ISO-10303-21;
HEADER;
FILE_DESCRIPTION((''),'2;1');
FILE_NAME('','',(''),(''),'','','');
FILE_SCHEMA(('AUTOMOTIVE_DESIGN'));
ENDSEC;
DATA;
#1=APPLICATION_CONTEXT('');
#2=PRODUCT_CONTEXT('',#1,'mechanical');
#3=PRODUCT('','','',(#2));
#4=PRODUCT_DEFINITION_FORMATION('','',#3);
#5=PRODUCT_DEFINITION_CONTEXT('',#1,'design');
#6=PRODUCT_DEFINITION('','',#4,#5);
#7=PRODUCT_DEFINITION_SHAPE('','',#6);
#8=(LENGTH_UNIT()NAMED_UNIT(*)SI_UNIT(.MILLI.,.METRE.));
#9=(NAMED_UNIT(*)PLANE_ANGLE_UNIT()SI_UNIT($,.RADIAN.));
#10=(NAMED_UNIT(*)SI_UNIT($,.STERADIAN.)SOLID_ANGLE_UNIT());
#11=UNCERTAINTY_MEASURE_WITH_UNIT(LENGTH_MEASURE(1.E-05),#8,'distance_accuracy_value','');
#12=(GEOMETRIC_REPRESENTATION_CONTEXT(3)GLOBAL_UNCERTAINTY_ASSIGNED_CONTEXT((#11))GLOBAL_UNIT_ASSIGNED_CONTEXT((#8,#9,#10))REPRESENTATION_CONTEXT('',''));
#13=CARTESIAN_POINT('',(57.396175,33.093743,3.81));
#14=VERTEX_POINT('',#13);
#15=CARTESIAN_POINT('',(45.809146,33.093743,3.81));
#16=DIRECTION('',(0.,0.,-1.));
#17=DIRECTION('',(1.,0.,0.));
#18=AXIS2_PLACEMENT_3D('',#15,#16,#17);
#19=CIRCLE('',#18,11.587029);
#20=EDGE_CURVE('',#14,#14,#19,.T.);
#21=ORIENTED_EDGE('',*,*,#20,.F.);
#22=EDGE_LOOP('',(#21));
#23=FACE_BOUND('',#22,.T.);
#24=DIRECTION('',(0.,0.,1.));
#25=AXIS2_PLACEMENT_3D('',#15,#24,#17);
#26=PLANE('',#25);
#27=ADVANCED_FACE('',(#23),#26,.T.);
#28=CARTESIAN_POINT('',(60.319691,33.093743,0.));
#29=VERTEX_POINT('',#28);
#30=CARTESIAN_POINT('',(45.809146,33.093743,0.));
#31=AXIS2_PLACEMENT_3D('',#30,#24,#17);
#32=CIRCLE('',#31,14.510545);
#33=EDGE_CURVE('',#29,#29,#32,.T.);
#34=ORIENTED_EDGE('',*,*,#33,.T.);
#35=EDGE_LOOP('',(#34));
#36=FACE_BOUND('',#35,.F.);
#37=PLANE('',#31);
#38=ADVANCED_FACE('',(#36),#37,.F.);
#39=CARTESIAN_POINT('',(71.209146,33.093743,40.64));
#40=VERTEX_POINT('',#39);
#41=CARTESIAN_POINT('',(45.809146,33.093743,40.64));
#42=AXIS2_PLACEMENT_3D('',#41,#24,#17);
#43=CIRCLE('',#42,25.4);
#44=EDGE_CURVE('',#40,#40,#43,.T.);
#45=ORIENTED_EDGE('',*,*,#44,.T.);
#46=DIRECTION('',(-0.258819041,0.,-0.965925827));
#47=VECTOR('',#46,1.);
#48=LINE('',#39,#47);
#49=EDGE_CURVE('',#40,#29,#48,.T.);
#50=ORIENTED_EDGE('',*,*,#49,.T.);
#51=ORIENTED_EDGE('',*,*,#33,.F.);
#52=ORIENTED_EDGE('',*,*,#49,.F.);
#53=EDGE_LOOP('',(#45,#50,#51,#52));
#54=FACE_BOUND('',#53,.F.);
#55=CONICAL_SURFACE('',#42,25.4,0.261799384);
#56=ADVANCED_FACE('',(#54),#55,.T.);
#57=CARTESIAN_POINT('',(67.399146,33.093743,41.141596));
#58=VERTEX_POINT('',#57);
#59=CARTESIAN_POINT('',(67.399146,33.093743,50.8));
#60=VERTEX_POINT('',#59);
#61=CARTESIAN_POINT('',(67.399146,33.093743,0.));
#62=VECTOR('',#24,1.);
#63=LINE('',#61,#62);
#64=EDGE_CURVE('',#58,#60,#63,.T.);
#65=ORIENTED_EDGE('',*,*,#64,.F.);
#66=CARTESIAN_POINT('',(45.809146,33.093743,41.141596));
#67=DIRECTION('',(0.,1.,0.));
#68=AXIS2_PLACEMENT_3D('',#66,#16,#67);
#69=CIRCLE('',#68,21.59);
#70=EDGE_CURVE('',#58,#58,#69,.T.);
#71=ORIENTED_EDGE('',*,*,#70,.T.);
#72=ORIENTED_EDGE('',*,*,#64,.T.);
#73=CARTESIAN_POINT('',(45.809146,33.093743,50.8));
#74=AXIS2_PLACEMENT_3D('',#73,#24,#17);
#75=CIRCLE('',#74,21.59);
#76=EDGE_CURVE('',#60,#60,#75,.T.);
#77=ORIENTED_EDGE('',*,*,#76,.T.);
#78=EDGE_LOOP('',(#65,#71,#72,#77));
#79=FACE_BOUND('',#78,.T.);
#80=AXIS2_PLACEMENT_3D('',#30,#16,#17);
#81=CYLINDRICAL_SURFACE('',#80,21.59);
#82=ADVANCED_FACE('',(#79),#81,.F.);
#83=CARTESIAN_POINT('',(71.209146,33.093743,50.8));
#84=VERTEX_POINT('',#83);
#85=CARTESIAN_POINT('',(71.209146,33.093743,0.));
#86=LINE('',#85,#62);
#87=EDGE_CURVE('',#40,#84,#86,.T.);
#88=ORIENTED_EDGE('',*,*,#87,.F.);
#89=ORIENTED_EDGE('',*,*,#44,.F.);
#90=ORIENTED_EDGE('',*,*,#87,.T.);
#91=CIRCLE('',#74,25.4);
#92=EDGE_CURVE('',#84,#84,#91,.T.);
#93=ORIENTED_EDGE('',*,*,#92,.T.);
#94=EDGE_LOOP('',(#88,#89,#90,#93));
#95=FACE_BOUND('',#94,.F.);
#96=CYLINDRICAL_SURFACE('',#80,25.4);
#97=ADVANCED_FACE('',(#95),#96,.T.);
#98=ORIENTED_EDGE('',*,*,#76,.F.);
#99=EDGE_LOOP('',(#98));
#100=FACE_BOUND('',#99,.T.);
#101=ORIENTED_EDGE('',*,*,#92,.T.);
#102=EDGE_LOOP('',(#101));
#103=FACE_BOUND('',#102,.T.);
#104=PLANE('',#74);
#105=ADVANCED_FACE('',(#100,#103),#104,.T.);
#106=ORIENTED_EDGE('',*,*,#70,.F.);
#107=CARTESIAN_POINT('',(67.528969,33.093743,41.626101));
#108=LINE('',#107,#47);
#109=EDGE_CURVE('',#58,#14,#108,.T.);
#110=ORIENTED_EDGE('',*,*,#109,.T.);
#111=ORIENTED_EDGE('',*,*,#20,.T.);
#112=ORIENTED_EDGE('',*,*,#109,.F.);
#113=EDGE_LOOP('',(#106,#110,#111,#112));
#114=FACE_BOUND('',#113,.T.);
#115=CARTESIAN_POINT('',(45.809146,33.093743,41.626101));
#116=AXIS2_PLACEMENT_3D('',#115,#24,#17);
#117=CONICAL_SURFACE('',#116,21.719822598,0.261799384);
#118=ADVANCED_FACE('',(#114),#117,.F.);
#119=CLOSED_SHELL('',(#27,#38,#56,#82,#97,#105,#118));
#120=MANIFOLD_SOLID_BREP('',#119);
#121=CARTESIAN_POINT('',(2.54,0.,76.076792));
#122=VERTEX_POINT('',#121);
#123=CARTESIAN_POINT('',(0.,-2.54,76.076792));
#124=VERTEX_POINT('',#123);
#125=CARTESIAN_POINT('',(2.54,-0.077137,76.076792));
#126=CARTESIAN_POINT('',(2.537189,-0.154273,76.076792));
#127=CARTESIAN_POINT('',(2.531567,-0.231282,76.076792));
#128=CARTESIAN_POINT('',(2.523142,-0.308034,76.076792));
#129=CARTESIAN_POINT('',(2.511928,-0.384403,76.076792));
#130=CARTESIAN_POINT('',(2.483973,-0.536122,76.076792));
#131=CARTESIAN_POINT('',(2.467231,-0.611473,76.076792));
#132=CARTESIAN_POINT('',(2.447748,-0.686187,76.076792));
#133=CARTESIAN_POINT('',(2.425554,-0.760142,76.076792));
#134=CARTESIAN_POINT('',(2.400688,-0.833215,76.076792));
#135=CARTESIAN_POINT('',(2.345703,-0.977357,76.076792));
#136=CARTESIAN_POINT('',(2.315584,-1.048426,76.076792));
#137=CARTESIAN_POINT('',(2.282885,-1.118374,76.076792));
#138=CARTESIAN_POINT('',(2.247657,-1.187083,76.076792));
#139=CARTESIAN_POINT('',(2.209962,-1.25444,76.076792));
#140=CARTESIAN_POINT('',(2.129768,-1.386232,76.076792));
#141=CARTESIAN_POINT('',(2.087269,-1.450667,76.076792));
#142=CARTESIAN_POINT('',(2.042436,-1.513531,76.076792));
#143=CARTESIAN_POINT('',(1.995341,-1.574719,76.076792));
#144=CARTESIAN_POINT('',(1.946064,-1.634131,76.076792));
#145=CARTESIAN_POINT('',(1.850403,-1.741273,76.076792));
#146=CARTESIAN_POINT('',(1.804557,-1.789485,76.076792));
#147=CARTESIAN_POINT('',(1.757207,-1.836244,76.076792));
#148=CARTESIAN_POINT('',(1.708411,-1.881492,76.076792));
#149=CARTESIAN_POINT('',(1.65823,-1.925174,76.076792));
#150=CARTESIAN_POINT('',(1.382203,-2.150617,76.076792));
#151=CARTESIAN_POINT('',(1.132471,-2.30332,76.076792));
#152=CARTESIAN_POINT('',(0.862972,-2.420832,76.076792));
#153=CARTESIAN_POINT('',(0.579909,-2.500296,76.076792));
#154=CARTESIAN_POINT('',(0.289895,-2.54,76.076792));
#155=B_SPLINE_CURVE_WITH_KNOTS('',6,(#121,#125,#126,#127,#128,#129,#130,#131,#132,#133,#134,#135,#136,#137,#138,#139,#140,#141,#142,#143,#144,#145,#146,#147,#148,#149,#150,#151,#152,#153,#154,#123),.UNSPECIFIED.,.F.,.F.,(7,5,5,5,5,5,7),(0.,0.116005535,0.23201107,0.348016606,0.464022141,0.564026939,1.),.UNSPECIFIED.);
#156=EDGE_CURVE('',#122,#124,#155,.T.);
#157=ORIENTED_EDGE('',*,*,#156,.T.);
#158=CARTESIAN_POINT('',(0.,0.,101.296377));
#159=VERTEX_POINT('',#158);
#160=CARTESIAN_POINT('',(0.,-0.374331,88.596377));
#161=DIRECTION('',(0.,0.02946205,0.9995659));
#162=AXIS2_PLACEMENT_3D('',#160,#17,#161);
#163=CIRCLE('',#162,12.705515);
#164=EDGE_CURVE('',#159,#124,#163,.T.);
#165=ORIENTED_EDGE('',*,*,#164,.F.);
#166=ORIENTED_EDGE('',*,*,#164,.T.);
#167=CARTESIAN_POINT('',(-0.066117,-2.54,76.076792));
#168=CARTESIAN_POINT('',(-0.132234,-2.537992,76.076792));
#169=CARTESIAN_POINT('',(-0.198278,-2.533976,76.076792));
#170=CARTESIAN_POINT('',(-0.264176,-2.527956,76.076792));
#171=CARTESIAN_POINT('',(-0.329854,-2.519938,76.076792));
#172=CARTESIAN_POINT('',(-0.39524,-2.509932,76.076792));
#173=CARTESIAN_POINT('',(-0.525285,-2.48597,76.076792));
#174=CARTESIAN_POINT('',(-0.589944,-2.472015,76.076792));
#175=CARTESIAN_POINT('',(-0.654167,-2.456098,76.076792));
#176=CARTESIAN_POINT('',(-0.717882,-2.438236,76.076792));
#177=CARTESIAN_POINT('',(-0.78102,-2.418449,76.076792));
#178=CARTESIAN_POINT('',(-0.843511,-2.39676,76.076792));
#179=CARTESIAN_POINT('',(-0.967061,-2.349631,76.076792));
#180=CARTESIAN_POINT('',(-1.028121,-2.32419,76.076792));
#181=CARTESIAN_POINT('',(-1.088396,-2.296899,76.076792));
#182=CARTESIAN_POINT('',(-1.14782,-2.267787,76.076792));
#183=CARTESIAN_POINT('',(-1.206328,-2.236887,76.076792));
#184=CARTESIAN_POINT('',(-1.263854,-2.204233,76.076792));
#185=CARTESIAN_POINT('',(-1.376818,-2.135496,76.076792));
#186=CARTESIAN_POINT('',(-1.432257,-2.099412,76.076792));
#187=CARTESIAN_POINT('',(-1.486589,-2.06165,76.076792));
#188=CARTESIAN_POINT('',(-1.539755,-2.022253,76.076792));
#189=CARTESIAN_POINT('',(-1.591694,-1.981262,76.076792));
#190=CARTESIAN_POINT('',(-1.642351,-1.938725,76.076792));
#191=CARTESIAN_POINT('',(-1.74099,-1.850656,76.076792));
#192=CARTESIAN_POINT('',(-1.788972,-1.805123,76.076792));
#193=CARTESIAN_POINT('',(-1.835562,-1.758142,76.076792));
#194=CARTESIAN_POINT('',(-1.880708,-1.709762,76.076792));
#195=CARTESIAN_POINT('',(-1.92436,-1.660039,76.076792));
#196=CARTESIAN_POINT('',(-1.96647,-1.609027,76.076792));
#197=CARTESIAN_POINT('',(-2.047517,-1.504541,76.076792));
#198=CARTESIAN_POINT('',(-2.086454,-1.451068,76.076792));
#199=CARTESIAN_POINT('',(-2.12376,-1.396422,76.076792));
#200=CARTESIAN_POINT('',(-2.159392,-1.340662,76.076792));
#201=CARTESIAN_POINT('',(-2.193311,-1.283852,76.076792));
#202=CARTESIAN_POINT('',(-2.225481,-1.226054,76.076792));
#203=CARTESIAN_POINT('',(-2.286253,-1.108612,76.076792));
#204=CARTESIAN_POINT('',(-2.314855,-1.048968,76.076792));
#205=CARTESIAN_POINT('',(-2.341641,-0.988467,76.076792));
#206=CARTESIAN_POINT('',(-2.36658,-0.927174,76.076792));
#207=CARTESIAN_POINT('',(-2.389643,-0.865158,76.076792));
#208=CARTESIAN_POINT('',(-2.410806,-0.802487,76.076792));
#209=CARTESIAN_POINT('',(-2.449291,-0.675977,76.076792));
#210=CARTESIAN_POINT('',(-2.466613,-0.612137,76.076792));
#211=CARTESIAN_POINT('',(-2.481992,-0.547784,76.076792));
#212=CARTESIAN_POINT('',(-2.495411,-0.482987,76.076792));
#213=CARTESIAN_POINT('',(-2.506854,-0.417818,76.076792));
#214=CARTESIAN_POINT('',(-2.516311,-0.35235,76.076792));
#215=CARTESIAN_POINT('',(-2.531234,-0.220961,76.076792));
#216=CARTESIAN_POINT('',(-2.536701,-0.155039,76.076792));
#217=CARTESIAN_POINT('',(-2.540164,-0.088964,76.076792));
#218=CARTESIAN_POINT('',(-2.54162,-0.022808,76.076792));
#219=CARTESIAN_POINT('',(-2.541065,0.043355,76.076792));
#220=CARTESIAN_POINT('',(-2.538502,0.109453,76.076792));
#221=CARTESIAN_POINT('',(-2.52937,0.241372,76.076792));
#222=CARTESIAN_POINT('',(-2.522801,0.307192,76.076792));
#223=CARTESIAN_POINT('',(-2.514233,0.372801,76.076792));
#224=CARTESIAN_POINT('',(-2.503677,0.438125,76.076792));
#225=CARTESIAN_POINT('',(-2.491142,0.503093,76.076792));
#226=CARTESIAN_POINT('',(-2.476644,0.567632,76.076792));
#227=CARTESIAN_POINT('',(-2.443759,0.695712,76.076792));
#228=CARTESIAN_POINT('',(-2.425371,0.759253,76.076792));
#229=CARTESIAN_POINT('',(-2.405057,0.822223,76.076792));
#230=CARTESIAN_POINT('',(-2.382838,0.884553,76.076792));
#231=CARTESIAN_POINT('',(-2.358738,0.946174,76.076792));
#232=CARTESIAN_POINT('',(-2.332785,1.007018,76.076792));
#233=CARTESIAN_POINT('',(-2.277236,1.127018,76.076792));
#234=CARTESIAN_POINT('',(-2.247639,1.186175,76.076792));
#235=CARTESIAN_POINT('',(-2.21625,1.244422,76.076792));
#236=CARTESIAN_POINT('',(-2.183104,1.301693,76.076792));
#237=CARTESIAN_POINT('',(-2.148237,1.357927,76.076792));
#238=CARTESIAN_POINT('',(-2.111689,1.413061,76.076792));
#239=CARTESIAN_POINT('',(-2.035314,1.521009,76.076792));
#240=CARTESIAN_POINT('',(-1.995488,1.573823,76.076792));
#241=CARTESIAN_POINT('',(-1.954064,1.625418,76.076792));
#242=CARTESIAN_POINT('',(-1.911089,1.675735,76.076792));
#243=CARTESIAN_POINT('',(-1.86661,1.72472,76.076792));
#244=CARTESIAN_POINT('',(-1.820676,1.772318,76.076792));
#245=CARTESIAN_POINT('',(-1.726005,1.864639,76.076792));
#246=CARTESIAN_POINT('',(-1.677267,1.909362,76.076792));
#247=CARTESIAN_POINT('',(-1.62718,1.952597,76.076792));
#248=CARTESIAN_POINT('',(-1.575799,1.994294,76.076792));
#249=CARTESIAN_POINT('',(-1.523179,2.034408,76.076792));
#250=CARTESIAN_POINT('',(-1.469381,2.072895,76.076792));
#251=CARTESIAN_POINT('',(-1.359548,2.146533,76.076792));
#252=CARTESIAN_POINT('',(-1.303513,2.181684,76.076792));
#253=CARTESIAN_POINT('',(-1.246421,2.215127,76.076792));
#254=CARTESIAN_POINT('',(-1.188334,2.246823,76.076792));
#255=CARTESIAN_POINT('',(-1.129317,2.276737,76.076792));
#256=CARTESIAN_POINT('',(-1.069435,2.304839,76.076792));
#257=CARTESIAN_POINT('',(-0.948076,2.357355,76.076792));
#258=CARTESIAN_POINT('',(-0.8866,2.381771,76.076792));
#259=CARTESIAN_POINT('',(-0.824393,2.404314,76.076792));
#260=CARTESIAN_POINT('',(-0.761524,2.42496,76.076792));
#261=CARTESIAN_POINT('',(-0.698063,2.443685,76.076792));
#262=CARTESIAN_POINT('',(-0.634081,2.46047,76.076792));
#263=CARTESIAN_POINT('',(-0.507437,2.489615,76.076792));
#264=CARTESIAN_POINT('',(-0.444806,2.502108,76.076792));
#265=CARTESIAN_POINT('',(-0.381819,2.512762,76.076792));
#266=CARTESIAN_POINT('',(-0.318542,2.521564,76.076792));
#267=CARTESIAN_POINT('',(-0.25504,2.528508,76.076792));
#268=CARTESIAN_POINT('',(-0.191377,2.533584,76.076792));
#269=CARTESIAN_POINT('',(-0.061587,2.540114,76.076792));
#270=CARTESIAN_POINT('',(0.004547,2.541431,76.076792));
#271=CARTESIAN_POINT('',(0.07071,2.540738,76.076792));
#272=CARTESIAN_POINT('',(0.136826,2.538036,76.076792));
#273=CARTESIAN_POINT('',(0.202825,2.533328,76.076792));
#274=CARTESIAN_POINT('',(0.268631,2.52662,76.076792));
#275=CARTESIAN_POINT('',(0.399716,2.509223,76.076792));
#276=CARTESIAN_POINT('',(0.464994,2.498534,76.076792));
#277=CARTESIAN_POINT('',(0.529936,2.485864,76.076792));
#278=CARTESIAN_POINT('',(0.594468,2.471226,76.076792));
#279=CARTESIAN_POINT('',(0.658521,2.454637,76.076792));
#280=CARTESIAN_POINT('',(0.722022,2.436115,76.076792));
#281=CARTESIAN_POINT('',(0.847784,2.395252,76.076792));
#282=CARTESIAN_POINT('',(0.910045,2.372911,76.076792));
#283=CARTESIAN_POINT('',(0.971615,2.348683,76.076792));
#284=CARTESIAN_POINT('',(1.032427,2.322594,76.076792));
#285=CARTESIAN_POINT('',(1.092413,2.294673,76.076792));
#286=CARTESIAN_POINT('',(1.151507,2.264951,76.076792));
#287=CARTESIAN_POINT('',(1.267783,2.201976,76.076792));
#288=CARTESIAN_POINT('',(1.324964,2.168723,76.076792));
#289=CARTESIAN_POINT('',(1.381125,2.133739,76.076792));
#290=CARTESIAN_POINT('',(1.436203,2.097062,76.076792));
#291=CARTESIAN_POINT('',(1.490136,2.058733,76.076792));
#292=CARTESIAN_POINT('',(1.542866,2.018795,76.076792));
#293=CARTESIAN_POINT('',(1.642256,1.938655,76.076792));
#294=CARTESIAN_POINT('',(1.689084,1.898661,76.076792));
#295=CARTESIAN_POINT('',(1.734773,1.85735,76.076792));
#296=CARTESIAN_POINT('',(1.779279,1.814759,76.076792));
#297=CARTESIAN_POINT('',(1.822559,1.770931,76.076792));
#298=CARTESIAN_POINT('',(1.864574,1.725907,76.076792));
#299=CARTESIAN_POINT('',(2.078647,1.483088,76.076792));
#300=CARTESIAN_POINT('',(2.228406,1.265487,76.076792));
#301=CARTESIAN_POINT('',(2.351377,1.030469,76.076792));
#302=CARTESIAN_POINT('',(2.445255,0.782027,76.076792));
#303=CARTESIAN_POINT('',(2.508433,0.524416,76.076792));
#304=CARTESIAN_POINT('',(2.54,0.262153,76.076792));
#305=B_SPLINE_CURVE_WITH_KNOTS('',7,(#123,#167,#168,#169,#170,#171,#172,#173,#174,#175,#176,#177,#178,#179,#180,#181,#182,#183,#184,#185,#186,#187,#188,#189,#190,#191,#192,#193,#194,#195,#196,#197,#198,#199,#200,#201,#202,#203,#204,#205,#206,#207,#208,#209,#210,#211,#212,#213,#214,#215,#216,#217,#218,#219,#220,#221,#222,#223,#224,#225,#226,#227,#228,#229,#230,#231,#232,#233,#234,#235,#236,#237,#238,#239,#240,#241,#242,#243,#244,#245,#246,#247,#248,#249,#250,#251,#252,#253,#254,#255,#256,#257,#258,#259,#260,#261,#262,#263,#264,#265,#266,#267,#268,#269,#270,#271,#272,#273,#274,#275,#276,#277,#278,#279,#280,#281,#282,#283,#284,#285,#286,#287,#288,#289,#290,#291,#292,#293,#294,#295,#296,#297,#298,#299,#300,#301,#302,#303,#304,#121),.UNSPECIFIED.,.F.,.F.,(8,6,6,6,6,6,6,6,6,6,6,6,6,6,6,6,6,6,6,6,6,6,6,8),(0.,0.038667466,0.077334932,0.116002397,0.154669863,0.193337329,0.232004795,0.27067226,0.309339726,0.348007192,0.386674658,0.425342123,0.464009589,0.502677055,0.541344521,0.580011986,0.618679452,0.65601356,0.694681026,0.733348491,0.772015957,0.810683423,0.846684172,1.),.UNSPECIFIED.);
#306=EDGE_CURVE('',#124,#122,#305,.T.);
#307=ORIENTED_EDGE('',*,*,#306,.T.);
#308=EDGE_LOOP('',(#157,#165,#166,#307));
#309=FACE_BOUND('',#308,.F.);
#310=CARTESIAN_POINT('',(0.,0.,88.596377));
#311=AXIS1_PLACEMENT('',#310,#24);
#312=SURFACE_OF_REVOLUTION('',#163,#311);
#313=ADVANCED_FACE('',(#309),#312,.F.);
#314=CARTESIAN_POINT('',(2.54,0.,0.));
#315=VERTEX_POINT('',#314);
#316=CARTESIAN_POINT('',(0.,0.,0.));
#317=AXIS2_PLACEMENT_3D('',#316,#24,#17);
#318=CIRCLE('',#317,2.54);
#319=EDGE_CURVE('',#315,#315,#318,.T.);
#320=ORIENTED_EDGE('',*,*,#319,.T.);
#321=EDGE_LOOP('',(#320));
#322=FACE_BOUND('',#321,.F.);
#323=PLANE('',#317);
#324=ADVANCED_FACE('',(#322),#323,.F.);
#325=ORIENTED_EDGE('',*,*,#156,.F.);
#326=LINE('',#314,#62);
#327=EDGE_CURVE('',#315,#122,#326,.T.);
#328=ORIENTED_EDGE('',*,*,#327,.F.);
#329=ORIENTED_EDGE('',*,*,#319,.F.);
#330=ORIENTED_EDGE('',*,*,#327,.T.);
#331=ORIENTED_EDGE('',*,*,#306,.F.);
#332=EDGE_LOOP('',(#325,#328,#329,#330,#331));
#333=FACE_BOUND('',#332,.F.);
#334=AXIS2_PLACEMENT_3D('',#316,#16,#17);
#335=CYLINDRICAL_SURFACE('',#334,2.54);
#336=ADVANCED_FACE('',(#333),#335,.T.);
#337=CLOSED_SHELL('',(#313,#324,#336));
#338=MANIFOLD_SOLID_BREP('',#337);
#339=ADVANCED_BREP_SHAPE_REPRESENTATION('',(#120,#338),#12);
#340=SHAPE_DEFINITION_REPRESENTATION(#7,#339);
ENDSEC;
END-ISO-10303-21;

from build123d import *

# Parameters (mm, degrees)
F0_R     = 2.54
F1_DEPTH = 76.2
F4_R     = 25.4
F5_DEPTH = 50.8
F6_SIZE2 = 10.889455
F6_SIZE  = 40.64
F7_T     = -3.81


with BuildPart() as f1:
    # F0 (on Top) → F1 (new body)
    with BuildSketch(Plane.XY):
        Circle(F0_R)
    extrude(amount=F1_DEPTH)

    # F2 (on Right) → F3 (revolve)
    with BuildSketch(Plane.YZ):
        with BuildLine():
            ThreePointArc((0, 101.296377), (-13.079846, 88.596377), (0, 75.896377))
            Line((0, 75.896377), (0, 101.296377))
        make_face()
    revolve(axis=Axis((0, 0, 88.596377), (0, 0, 1)))


with BuildPart() as f5:
    # F4 (on Top) → F5 (new body)
    with BuildSketch(Plane.XY):
        with Locations((45.809146, 33.093743)):
            Circle(F4_R)
    extrude(amount=F5_DEPTH)

    # F6
    f6_edges = [f5.edges().sort_by_distance(p)[0] for p in [
        (20.409146, 33.093743, 0),
    ]]
    chamfer(f6_edges, length=F6_SIZE, length2=F6_SIZE2)

    # F7
    f7_openings = [f5.faces().sort_by_distance(p)[0] for p in [
        (45.809146, 33.093743, 50.8),
    ]]
    offset(amount=F7_T, openings=f7_openings)


solid = Compound([f1.part, f5.part])
